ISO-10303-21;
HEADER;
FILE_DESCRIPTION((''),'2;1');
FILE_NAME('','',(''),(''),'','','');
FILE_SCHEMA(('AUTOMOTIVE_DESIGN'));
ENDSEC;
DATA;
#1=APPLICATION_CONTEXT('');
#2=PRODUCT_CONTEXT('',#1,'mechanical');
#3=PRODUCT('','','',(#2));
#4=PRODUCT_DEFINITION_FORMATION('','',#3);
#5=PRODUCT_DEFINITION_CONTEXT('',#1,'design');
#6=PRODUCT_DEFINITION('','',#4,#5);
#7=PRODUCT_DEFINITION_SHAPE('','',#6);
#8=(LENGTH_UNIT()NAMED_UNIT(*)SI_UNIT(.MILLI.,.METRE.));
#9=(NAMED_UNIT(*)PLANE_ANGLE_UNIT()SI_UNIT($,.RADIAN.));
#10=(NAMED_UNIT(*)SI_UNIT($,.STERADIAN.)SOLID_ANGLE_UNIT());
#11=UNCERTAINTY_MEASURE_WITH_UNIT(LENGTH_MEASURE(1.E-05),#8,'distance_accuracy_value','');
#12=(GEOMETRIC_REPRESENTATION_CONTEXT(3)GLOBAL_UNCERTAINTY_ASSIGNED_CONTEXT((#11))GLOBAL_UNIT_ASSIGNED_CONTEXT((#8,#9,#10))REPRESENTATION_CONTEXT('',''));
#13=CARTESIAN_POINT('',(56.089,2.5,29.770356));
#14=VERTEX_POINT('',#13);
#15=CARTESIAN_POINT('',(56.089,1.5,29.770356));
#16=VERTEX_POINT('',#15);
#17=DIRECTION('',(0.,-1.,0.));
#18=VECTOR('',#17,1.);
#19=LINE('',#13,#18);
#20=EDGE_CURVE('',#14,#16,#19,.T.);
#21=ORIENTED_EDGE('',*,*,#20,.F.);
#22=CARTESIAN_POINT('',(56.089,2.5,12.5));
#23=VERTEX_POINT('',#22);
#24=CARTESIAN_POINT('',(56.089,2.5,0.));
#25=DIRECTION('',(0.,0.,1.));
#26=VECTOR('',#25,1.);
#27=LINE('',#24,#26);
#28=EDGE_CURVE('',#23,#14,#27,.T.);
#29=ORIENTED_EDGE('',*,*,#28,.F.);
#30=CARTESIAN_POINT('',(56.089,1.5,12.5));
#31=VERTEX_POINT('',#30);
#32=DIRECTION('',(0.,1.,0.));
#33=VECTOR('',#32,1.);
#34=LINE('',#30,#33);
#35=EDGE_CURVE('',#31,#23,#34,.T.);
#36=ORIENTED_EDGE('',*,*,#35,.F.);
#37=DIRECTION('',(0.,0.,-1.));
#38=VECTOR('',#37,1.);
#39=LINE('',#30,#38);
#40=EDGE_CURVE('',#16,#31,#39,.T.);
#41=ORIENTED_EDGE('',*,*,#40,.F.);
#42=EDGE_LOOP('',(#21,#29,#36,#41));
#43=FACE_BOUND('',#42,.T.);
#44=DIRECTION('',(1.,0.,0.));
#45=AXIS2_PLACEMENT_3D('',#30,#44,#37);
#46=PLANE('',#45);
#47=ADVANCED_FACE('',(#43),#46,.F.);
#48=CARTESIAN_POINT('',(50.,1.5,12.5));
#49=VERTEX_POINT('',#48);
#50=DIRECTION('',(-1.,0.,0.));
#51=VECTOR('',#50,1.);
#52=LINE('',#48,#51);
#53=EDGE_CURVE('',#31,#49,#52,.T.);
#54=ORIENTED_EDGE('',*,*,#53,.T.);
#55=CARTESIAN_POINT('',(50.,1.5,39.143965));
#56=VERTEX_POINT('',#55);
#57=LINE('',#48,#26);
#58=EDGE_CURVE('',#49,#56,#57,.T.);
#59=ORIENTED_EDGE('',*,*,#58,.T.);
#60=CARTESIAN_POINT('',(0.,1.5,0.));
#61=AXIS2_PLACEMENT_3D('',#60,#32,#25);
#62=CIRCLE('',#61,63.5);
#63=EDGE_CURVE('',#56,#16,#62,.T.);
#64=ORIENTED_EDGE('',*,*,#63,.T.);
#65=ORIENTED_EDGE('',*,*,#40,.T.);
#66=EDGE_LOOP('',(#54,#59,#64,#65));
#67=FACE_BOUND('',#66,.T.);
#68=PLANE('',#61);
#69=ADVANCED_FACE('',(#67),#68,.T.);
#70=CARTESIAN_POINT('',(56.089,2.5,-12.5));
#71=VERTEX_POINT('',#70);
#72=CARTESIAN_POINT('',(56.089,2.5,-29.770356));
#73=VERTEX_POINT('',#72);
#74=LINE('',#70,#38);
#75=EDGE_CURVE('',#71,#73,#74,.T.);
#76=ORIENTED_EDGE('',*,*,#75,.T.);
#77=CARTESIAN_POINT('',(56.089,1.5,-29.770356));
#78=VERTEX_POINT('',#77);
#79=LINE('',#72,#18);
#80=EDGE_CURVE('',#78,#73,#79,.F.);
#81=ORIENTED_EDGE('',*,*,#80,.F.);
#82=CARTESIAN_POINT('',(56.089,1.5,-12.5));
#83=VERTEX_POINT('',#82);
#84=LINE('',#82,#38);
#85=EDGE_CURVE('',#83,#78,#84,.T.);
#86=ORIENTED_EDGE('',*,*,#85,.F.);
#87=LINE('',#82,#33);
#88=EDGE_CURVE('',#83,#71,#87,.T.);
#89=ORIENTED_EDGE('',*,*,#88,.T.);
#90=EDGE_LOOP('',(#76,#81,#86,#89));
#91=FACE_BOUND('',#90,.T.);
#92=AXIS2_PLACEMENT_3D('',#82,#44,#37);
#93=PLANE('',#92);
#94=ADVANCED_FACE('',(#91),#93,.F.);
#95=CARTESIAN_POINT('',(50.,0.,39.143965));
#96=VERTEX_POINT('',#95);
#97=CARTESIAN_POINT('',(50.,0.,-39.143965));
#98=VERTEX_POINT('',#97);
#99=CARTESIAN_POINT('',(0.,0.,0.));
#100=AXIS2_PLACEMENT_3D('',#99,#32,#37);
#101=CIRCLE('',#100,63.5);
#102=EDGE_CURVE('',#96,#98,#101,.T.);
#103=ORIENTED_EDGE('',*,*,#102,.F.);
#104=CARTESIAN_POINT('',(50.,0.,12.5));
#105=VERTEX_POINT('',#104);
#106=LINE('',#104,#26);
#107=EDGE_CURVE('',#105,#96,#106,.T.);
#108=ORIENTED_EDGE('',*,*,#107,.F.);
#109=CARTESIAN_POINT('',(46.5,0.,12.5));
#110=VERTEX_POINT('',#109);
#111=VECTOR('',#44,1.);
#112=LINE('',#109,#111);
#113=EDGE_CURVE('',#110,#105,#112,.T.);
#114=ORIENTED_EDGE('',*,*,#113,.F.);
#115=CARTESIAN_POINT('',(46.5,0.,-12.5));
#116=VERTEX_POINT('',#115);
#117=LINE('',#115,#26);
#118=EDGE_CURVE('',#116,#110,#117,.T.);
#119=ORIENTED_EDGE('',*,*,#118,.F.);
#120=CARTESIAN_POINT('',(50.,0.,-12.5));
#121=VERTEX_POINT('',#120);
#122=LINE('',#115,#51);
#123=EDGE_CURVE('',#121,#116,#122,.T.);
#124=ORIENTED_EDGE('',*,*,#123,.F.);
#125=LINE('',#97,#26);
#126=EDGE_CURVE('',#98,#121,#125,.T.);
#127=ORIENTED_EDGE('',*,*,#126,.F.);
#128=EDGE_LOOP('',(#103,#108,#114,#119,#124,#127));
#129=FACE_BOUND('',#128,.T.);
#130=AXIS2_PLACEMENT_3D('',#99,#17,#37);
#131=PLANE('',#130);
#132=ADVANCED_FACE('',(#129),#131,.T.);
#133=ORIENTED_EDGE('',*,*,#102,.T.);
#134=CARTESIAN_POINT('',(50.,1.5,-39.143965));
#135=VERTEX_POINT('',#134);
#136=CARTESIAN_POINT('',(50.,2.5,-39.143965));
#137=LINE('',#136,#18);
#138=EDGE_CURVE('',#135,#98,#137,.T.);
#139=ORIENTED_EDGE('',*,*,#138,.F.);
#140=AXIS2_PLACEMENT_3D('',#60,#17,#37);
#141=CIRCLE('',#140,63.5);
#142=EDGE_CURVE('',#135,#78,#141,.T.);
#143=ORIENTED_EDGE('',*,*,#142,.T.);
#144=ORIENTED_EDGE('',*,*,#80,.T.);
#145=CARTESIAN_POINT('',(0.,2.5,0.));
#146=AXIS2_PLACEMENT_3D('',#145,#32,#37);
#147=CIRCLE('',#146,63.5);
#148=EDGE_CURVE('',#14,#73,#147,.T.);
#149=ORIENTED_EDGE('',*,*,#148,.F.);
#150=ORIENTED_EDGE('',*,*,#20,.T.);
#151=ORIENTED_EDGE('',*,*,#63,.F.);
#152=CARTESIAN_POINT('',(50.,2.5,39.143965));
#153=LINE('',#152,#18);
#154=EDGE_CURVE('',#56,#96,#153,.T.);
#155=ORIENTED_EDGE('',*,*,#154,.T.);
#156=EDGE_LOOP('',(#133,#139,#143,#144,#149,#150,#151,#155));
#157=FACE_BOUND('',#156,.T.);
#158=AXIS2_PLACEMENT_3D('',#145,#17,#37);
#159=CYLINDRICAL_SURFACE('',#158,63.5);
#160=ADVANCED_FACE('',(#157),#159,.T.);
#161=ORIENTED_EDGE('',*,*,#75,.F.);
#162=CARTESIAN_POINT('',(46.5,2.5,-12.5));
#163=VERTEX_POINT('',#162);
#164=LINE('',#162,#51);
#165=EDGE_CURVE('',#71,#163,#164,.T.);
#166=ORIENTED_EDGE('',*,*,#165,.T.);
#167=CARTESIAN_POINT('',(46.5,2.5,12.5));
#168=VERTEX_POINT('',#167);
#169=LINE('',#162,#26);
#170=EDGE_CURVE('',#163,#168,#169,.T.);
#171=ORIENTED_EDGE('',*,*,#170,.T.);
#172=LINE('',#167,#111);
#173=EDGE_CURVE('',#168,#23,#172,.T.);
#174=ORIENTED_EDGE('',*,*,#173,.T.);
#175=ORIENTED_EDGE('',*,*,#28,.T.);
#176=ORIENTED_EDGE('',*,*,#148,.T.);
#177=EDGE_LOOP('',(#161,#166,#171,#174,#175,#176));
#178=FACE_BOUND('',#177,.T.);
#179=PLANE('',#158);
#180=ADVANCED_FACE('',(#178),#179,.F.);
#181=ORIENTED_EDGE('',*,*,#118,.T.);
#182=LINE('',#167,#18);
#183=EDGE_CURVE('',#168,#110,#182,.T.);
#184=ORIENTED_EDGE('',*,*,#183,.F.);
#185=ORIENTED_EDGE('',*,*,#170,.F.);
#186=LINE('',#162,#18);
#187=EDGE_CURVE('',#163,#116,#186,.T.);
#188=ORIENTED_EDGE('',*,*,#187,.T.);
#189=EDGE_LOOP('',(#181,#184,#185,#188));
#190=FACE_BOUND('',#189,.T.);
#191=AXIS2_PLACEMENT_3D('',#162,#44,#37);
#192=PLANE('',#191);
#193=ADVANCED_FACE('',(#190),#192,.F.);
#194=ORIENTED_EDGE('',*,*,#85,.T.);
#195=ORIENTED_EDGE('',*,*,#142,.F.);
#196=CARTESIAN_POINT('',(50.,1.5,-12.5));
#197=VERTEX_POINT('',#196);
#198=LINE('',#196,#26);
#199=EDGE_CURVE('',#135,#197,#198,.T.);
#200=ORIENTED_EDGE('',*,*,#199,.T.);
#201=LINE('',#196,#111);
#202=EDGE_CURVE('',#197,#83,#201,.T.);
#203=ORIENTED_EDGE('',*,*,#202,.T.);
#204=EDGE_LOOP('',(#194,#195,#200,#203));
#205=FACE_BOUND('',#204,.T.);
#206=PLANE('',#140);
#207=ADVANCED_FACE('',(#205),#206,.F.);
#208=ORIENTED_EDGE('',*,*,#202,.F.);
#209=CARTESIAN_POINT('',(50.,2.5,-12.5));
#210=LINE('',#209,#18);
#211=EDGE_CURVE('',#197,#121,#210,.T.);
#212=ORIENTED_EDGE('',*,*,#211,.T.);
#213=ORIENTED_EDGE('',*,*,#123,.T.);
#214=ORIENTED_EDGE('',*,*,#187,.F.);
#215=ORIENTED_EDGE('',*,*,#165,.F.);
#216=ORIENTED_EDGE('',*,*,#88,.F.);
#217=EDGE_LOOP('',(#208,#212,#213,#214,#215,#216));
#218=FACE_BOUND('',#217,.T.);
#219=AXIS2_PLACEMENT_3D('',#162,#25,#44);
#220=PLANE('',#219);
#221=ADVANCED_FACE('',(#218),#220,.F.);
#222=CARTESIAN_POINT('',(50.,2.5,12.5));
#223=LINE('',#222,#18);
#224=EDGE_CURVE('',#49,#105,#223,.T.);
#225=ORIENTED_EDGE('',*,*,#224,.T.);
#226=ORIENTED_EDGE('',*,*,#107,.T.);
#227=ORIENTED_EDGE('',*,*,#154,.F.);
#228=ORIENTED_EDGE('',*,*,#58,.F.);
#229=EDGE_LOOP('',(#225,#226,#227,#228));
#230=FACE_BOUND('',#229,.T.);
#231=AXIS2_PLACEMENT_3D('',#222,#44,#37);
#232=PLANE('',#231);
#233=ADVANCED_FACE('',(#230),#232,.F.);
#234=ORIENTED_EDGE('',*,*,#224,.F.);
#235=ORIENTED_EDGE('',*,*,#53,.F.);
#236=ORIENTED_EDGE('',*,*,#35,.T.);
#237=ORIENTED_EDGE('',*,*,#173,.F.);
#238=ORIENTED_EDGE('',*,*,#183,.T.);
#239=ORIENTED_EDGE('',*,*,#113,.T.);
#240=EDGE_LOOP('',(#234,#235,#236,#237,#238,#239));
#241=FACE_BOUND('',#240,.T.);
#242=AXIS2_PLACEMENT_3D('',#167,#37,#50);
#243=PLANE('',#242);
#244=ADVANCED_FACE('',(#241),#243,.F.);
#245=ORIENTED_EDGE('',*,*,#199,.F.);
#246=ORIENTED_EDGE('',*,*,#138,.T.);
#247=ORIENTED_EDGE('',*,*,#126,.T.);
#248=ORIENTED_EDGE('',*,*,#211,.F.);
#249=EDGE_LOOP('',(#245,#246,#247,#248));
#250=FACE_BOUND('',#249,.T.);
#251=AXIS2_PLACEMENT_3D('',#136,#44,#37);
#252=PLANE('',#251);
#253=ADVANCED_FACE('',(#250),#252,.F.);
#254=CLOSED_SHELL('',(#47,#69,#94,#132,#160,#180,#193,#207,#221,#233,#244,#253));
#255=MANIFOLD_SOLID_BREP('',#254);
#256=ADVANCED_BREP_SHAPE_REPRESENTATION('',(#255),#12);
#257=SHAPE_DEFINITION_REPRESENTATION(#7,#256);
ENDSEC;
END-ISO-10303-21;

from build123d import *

# Parameters (mm, degrees)
BOSS_EXTRUDE1_DEPTH = 2.5
SKETCH2_W           = 6.089
SKETCH2_H           = 29.817230859
CUT_EXTRUDE1_DEPTH  = 1


with BuildPart() as part:
    # Sketch1 → Boss-Extrude1 (new body)
    with BuildSketch(Plane(origin=(0, 0, 0), x_dir=(1, 0, 0), z_dir=(0, 1, 0))):
        with BuildLine():
            Line((50, -12.5), (50, -39.143965052))
            ThreePointArc((50, -39.143965052), (63.5, 0), (50, 39.143965052))
            Line((50, 39.143965052), (50, 12.5))
            Line((50, 12.5), (46.5, 12.5))
            Line((46.5, 12.5), (46.5, -12.5))
            Line((46.5, -12.5), (50, -12.5))
        make_face()
    extrude(amount=BOSS_EXTRUDE1_DEPTH)

    # Sketch2 → Cut-Extrude1 (cut)
    with BuildSketch(Plane(origin=(0, 2.5, 0), x_dir=(1, 0, 0), z_dir=(0, 1, 0))):
        with Locations((53.0445, 27.40861543)):
            Rectangle(SKETCH2_W, SKETCH2_H)
        with Locations((53.0445, -27.40861543)):
            Rectangle(SKETCH2_W, SKETCH2_H)
    extrude(amount=-CUT_EXTRUDE1_DEPTH, mode=Mode.SUBTRACT)


solid = part.part
